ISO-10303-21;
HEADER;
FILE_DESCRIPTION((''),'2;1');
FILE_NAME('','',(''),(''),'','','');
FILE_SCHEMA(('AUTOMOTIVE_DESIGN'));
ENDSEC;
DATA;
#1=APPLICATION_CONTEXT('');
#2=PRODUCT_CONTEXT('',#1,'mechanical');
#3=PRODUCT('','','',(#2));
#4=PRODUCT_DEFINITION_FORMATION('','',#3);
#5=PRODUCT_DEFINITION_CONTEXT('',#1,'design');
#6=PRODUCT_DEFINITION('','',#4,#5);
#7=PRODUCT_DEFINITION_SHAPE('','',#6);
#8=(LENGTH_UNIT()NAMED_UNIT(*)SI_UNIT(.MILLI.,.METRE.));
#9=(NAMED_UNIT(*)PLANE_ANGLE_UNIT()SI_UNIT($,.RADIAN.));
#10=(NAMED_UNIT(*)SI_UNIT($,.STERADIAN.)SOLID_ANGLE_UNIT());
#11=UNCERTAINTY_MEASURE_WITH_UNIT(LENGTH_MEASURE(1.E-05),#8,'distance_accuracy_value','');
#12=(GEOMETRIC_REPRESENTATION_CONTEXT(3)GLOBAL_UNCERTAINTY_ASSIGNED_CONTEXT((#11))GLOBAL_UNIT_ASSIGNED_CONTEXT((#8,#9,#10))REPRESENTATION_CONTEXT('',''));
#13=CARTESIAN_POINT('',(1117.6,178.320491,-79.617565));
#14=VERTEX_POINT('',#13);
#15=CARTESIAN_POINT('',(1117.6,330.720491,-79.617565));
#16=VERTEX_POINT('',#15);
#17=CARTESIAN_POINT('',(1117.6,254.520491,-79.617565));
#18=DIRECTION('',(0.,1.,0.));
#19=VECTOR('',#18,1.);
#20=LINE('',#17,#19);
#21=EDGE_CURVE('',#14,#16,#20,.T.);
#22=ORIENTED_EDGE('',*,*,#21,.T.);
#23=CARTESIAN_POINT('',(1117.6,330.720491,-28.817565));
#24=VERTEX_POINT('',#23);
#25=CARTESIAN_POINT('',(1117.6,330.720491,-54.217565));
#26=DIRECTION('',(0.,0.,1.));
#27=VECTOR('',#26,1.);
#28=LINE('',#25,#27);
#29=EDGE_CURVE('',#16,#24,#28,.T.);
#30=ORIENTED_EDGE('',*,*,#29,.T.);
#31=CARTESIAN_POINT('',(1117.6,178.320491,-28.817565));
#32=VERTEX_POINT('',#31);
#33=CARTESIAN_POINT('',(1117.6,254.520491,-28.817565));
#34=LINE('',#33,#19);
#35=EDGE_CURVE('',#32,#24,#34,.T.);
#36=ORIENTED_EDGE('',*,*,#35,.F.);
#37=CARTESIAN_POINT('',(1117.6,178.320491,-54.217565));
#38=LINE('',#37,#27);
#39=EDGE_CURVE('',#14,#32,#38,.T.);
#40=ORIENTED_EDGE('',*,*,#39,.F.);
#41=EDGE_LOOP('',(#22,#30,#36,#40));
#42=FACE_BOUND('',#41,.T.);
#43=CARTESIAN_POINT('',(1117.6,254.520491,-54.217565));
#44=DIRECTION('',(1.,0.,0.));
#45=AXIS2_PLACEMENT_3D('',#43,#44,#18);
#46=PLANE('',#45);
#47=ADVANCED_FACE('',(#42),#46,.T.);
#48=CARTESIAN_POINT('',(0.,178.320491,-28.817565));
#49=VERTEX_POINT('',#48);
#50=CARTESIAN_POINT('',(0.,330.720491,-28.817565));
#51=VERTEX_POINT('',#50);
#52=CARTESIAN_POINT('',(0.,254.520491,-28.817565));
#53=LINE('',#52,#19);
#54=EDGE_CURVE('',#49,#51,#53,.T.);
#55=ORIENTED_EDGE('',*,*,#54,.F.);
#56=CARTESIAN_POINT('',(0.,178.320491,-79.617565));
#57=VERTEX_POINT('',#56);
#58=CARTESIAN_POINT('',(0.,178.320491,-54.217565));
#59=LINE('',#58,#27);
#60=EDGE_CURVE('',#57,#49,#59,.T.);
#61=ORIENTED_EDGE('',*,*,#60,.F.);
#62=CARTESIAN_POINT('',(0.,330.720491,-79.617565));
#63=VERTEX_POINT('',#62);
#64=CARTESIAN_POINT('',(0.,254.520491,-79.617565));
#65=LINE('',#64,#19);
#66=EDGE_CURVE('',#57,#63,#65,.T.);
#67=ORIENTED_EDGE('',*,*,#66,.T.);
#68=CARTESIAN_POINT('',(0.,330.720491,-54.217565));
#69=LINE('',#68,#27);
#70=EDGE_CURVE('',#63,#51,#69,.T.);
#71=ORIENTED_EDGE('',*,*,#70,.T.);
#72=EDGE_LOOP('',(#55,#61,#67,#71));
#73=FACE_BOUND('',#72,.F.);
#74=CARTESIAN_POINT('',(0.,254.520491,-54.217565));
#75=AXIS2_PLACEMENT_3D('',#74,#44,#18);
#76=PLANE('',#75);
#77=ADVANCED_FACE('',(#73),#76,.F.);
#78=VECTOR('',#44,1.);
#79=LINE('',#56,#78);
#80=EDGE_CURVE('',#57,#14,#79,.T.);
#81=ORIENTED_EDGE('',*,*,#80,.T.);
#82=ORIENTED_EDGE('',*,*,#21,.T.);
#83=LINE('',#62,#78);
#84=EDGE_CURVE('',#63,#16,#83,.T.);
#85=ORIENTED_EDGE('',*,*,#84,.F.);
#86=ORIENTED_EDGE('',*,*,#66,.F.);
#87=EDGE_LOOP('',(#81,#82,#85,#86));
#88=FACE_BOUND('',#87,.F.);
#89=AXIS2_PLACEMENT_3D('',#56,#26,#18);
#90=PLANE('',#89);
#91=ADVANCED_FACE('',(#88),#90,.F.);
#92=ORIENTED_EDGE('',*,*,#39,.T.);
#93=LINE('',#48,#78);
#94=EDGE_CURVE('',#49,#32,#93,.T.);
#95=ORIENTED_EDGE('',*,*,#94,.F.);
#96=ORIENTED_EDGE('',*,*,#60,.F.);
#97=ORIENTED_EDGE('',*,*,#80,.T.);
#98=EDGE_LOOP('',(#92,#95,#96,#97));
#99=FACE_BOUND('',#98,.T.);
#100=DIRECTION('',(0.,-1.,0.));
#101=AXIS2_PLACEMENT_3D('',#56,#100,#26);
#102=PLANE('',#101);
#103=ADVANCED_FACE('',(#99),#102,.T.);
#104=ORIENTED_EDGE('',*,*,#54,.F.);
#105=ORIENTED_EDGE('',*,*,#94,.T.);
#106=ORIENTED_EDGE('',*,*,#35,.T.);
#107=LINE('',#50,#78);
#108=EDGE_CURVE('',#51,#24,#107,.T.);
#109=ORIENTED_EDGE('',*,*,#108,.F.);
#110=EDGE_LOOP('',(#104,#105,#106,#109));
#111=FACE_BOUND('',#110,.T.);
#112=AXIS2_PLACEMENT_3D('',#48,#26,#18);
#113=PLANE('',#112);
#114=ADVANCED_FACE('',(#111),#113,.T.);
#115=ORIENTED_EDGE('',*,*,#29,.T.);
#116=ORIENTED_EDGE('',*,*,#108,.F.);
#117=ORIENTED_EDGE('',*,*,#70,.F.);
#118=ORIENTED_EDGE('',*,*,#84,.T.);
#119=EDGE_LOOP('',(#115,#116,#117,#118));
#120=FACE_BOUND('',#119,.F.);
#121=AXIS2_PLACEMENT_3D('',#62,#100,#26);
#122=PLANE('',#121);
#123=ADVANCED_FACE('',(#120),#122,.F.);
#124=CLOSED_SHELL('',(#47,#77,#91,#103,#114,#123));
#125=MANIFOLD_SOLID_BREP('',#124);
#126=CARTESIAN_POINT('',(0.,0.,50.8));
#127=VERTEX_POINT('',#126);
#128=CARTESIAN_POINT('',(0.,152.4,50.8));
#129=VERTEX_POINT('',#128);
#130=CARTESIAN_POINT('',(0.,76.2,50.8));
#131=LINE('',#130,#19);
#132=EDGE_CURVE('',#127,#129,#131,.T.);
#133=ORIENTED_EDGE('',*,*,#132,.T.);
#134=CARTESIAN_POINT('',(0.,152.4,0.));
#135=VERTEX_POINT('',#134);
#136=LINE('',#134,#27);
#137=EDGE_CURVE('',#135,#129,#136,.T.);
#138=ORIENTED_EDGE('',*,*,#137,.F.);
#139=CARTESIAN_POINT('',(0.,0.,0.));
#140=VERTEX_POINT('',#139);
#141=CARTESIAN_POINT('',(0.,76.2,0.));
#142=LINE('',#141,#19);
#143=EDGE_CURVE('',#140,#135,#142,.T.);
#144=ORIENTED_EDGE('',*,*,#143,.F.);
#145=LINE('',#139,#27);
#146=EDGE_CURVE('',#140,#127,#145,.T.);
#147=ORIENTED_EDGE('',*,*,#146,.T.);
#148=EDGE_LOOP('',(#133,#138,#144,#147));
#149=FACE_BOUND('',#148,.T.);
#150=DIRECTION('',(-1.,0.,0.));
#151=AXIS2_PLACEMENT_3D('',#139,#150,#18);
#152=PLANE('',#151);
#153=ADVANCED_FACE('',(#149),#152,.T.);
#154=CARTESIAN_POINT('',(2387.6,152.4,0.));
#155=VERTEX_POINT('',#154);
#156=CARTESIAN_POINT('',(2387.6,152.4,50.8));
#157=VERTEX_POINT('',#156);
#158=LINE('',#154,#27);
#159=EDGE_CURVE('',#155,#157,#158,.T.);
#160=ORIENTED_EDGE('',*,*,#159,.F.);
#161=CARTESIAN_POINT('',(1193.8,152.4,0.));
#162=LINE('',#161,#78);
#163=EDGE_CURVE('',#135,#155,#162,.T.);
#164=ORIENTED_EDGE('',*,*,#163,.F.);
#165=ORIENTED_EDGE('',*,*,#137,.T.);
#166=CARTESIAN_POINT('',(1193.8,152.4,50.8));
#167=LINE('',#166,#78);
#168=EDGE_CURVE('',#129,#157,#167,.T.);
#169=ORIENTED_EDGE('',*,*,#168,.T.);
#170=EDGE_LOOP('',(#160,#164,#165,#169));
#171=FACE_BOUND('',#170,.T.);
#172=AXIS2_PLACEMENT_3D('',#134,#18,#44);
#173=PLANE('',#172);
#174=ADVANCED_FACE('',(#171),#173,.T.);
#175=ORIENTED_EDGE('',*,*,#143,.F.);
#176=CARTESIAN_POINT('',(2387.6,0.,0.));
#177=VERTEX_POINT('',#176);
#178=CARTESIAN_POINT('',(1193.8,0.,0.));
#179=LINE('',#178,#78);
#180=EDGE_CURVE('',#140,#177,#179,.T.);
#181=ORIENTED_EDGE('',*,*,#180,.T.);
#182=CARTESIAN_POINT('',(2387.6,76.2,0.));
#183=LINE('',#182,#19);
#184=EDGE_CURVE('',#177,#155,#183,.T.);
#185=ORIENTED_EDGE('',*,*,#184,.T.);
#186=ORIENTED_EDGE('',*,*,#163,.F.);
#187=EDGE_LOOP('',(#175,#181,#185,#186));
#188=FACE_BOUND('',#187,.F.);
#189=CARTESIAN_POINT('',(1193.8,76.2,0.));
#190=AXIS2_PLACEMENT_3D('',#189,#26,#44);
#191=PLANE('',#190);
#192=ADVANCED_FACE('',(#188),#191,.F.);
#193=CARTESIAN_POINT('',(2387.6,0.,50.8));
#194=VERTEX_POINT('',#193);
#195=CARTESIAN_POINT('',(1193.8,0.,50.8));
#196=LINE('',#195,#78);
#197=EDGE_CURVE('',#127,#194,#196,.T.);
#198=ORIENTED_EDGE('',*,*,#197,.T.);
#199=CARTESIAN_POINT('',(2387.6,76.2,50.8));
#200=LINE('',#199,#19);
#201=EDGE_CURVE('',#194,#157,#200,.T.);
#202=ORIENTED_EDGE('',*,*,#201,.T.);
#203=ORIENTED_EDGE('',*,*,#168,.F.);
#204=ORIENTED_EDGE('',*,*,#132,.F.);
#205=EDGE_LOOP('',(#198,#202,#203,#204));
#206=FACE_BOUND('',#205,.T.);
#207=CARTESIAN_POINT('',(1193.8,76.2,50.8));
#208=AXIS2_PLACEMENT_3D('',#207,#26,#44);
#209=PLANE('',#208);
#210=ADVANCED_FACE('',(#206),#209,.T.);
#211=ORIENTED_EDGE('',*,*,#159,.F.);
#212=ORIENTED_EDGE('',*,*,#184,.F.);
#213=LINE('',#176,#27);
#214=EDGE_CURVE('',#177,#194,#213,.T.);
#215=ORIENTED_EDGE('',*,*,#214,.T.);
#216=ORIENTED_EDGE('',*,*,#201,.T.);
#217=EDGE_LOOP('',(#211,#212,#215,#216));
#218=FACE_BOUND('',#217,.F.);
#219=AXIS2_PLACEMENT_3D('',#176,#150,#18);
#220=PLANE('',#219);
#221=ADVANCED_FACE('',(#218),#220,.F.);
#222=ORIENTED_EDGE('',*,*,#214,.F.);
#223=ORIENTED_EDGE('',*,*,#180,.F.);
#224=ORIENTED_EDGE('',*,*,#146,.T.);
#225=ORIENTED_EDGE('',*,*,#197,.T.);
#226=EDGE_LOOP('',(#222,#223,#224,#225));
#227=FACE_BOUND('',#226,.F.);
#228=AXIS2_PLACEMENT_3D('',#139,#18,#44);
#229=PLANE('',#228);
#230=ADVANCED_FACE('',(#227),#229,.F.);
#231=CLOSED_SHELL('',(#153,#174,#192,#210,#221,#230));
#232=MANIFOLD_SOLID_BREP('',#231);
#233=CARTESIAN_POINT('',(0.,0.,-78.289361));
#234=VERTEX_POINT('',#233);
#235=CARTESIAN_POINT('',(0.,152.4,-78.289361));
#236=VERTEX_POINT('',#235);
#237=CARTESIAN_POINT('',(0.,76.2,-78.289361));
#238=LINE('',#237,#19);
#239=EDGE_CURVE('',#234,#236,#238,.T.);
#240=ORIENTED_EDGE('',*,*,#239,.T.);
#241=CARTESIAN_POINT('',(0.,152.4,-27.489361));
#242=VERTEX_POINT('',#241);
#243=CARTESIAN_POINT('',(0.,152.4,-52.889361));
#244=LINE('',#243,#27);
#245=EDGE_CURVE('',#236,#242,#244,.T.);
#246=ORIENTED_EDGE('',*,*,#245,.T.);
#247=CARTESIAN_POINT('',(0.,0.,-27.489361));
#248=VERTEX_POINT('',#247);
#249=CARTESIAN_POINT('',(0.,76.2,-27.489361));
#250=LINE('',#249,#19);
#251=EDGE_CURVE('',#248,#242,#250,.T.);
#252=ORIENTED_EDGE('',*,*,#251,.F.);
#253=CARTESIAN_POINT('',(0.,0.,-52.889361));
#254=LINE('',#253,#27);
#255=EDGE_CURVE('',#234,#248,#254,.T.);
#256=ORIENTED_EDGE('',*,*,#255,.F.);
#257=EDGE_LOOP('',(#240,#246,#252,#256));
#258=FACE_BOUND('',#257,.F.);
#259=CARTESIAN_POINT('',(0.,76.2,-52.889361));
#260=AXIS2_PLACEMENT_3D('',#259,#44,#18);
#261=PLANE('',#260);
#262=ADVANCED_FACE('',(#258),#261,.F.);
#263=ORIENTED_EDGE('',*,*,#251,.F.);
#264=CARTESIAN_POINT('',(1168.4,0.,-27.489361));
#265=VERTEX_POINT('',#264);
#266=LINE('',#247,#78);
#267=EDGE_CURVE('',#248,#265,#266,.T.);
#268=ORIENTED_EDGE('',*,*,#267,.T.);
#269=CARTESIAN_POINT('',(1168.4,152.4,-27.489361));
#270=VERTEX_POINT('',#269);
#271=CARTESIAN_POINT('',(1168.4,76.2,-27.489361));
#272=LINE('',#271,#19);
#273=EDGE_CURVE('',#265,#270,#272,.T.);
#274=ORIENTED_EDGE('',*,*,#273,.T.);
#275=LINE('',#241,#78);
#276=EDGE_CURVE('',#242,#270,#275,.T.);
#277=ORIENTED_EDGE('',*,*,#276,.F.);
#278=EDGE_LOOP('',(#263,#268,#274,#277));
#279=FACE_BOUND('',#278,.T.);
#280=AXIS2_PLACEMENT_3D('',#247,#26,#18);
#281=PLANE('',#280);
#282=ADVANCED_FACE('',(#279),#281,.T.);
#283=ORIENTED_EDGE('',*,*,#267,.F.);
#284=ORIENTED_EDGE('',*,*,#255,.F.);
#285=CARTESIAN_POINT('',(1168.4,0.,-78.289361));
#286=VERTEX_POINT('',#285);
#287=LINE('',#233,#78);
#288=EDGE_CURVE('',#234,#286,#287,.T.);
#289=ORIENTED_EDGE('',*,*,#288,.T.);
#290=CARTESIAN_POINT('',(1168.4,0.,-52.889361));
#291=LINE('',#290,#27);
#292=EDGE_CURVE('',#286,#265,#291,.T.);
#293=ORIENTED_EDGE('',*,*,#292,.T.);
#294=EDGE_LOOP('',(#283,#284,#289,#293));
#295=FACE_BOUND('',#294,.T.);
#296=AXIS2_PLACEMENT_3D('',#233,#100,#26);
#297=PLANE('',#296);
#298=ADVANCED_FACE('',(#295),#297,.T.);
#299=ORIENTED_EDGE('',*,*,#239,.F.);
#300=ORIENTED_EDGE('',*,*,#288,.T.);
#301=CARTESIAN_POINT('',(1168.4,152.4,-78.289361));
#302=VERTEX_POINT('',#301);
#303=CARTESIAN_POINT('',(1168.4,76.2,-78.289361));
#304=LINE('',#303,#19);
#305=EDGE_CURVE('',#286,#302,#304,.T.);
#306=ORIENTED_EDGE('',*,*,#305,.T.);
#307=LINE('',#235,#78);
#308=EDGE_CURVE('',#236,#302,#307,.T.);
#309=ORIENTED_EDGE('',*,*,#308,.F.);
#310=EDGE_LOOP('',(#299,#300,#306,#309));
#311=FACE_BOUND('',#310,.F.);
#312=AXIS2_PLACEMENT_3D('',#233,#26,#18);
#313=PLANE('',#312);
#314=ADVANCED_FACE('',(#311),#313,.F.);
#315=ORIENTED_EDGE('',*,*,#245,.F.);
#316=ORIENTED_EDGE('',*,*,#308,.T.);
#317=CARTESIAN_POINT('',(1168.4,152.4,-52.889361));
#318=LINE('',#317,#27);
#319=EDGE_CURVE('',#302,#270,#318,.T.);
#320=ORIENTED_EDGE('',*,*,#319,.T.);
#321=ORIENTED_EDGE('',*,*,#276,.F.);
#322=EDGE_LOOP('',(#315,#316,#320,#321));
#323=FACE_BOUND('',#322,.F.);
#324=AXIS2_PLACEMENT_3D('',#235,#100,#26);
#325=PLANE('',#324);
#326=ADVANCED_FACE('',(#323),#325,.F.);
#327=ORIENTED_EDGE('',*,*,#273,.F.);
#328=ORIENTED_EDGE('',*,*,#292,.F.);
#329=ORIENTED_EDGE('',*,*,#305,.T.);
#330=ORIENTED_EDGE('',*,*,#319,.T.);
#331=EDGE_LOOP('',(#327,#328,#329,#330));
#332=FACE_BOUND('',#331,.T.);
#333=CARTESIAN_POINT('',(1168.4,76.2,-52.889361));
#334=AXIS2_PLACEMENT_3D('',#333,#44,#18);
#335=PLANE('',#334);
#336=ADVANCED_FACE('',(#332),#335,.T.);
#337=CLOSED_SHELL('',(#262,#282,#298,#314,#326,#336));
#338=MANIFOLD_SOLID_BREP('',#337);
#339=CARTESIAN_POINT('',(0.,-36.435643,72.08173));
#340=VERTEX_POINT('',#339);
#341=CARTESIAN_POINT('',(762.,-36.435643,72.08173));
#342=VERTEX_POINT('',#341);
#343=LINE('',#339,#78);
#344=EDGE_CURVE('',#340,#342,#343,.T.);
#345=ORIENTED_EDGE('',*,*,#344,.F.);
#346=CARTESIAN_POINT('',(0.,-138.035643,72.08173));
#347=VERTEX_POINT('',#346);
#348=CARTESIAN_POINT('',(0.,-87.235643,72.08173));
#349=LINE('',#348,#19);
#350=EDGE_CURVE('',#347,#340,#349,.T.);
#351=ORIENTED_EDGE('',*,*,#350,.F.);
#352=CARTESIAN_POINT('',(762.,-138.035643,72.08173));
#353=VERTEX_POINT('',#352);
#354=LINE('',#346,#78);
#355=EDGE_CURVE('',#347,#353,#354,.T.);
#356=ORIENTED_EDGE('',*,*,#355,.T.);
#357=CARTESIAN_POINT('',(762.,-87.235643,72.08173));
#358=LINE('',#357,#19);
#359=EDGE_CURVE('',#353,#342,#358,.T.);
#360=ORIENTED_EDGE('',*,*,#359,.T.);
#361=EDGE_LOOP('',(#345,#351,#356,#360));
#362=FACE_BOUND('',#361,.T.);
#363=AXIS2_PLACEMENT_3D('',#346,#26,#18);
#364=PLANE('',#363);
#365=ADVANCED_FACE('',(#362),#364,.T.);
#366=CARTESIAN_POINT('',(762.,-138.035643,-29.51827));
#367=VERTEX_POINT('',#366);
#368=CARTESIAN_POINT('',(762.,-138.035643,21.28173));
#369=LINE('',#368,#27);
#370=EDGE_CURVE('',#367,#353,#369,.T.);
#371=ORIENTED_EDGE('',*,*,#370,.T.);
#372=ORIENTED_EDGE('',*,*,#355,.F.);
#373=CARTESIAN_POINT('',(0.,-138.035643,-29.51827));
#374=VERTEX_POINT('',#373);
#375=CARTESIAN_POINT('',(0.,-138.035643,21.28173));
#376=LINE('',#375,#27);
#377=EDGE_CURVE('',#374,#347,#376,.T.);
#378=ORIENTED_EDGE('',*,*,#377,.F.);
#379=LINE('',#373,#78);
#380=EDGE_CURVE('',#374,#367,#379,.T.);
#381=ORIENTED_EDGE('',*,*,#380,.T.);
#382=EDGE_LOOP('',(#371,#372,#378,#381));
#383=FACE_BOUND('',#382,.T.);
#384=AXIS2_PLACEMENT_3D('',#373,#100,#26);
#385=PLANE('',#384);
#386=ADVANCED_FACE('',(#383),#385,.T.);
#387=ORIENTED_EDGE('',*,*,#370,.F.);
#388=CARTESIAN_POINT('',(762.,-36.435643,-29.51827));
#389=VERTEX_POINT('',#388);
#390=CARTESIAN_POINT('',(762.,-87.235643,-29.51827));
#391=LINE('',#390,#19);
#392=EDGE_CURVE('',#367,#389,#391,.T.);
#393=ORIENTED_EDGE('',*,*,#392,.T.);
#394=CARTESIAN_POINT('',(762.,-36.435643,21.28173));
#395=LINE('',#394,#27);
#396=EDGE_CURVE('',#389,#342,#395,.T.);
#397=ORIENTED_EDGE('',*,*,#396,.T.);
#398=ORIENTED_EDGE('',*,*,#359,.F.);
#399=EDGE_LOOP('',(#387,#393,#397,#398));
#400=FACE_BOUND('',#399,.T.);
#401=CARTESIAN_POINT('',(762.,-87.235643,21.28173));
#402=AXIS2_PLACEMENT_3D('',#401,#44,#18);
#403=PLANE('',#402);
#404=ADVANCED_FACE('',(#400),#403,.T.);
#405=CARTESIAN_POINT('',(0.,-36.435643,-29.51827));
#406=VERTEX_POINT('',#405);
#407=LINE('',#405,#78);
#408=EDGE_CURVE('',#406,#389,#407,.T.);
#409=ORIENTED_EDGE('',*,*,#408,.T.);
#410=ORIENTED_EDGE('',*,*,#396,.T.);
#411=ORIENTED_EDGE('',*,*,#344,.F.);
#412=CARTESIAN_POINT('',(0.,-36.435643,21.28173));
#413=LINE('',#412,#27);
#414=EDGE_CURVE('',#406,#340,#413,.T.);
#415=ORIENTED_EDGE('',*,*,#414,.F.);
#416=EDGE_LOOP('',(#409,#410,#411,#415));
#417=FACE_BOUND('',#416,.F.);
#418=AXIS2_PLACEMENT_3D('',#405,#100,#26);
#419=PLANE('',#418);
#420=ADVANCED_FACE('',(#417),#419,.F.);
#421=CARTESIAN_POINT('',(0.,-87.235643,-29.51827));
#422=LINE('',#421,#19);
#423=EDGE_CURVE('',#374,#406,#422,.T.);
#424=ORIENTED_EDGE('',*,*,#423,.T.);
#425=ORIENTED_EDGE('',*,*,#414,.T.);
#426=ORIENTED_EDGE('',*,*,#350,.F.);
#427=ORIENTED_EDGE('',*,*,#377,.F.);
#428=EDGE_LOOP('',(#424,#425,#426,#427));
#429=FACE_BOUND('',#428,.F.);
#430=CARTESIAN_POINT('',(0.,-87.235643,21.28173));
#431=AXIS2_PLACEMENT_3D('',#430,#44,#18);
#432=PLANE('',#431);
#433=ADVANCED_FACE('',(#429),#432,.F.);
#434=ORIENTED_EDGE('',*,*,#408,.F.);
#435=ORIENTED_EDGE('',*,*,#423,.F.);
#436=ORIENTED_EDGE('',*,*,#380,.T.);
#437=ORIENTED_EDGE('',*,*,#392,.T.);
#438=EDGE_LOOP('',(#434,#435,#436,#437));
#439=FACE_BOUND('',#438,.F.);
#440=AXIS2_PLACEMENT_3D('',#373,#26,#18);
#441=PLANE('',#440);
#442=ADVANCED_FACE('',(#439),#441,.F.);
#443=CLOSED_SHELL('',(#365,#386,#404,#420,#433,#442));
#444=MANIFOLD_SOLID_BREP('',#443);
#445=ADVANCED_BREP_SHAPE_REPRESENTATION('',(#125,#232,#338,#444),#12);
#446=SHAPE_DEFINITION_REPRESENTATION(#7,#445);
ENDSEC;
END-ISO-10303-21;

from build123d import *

# Parameters (mm, degrees)
F0_W     = 2387.6
F0_H     = 152.4
F1_DEPTH = 50.8
F2_W     = 101.6
F2_H     = 101.6
F3_DEPTH = 762
F4_W     = 152.4
F4_H     = 50.8
F5_DEPTH = 1168.4
F6_W     = 152.4
F6_H     = 50.8
F7_DEPTH = 1117.6


with BuildPart() as f1:
    # F0 (on Top) → F1 (new body)
    with BuildSketch(Plane.XY):
        with Locations((1193.8, 76.2)):
            Rectangle(F0_W, F0_H)
    extrude(amount=F1_DEPTH)


with BuildPart() as f3:
    # F2 (on Right) → F3 (new body)
    with BuildSketch(Plane.YZ):
        with Locations((-87.235643, 21.28173)):
            Rectangle(F2_W, F2_H)
    extrude(amount=F3_DEPTH)


with BuildPart() as f5:
    # F4 (on Right) → F5 (new body)
    with BuildSketch(Plane.YZ):
        with Locations((76.2, -52.889361)):
            Rectangle(F4_W, F4_H)
    extrude(amount=F5_DEPTH)


with BuildPart() as f7:
    # F6 (on Right) → F7 (new body)
    with BuildSketch(Plane.YZ):
        with Locations((254.520491, -54.217565)):
            Rectangle(F6_W, F6_H)
    extrude(amount=F7_DEPTH)


solid = Compound([f1.part, f3.part, f5.part, f7.part])
